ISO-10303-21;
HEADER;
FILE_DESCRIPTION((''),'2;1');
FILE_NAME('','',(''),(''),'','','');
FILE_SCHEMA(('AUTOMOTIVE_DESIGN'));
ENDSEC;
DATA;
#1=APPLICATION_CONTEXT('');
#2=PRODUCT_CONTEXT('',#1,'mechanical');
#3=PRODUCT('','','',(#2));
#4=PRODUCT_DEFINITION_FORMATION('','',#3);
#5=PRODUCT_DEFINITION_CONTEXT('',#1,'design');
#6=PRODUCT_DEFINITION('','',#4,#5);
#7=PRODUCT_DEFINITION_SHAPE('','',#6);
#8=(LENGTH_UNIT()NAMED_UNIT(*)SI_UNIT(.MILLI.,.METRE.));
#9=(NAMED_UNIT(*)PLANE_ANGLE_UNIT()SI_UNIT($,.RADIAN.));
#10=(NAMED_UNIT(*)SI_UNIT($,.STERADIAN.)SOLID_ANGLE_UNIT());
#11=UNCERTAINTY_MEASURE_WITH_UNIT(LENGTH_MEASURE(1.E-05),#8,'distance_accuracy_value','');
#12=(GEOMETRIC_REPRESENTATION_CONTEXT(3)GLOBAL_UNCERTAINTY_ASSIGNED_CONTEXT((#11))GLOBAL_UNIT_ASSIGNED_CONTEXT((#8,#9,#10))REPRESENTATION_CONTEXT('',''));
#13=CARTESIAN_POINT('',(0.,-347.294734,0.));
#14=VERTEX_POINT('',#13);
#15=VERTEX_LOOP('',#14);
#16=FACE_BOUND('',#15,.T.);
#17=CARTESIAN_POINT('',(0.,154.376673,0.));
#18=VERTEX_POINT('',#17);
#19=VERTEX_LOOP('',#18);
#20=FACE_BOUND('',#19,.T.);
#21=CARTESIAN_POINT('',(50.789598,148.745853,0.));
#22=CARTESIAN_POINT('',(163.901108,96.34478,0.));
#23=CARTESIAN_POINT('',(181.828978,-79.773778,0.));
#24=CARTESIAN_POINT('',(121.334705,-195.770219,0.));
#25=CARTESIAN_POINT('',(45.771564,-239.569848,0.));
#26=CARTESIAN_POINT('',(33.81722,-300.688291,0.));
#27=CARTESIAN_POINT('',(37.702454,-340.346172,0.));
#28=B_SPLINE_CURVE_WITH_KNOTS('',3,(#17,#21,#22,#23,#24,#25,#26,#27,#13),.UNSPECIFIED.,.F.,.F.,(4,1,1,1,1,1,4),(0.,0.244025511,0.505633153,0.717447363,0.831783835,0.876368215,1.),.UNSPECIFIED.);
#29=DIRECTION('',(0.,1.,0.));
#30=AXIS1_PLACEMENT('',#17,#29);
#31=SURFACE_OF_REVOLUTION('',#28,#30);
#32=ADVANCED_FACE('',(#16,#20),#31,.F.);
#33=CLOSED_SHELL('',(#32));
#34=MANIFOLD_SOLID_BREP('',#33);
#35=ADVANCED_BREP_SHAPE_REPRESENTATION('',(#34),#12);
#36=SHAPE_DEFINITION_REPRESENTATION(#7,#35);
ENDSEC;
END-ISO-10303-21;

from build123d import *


with BuildPart() as part:
    # Sketch1 → Revolve1 (revolve)
    with BuildSketch(Plane.XY):
        with BuildLine():
            add(Edge.make_bspline(
                [(0, 154.376673304), (50.789597848, 148.745853307), (163.901108385, 96.344780466), (181.828978108, -79.773777952), (121.334705065, -195.770219444), (45.771564324, -239.569847756), (33.817219819, -300.68829119), (37.702453763, -340.34617196), (0, -347.294734483)],
                knots=[0, 0, 0, 0, 0.244025511, 0.505633153, 0.717447363, 0.831783835, 0.876368215, 1, 1, 1, 1], degree=3))
            Line((0, -347.294734483), (0, 154.376673304))
        make_face()
    revolve(axis=Axis((0, 154.376673304, 0), (0, -1, 0)))


solid = part.part
